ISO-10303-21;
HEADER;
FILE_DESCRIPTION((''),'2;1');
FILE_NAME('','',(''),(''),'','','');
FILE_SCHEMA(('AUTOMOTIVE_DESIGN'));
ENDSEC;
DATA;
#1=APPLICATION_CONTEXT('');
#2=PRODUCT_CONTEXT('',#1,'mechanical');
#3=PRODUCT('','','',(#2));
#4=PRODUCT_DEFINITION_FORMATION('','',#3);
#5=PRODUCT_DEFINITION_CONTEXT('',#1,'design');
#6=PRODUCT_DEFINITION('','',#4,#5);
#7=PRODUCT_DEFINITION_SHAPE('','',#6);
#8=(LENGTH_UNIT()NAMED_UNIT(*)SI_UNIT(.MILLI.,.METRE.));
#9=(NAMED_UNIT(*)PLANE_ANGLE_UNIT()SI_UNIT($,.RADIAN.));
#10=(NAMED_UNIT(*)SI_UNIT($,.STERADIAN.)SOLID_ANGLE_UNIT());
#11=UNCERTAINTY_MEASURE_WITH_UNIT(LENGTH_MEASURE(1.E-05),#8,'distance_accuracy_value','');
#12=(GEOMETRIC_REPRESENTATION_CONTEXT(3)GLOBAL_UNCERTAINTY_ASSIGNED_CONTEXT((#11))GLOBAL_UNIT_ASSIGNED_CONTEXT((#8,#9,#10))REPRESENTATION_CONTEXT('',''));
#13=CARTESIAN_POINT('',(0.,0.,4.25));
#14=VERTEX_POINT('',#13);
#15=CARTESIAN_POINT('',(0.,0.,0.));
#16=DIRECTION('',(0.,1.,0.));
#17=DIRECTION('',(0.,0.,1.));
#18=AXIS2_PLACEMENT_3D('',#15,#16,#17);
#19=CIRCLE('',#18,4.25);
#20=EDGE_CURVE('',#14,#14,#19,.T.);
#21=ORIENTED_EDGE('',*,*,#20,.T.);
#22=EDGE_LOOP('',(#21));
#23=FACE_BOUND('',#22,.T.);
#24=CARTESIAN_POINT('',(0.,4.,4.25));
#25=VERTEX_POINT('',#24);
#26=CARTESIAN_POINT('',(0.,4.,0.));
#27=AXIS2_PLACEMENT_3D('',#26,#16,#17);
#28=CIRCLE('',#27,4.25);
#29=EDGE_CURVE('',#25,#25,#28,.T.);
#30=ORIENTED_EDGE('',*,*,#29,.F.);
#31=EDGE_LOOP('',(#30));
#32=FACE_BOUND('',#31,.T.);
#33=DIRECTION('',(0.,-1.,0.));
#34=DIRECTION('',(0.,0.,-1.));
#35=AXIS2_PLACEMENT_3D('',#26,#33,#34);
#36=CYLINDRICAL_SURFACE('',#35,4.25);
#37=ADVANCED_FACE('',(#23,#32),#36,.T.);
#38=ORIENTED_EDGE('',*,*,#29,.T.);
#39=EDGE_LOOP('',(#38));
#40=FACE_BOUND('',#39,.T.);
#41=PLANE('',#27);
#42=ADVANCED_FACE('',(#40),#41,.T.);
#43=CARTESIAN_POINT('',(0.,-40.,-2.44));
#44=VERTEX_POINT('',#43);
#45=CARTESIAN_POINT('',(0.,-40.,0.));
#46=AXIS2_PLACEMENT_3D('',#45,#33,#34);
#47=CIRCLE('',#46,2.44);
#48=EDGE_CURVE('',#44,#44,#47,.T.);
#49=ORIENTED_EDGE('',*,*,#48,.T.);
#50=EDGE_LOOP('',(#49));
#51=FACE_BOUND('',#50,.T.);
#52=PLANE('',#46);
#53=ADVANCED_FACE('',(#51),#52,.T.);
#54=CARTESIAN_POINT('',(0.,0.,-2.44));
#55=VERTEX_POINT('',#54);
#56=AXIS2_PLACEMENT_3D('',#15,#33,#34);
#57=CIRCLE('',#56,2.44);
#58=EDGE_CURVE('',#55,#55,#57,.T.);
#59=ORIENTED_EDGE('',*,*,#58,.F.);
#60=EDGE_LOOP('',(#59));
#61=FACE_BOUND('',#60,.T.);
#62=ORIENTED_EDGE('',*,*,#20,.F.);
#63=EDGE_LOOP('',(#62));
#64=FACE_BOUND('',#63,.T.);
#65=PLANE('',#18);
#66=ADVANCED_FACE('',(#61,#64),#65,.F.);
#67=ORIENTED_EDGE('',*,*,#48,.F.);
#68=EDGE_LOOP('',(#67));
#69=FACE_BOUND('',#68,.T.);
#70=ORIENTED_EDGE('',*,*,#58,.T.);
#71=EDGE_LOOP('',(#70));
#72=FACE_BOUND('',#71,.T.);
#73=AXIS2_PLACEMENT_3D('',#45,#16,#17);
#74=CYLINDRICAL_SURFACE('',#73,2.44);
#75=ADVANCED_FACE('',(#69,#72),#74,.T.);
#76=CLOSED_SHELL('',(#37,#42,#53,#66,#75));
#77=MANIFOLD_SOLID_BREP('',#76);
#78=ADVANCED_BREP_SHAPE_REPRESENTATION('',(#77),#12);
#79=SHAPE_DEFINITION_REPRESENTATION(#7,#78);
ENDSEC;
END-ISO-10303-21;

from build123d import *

# Parameters (mm, degrees)
SKETCH1_R           = 4.25
BOSS_EXTRUDE1_DEPTH = 4
SKETCH2_R           = 2.44
BOSS_EXTRUDE2_DEPTH = 40


with BuildPart() as part:
    # Sketch1 → Boss-Extrude1 (new body)
    with BuildSketch(Plane(origin=(0, 0, 0), x_dir=(1, 0, 0), z_dir=(0, 1, 0))):
        Circle(SKETCH1_R)
    extrude(amount=BOSS_EXTRUDE1_DEPTH)

    # Sketch2 → Boss-Extrude2 (add)
    with BuildSketch(Plane.XZ):
        Circle(SKETCH2_R)
    extrude(amount=BOSS_EXTRUDE2_DEPTH)


solid = part.part
